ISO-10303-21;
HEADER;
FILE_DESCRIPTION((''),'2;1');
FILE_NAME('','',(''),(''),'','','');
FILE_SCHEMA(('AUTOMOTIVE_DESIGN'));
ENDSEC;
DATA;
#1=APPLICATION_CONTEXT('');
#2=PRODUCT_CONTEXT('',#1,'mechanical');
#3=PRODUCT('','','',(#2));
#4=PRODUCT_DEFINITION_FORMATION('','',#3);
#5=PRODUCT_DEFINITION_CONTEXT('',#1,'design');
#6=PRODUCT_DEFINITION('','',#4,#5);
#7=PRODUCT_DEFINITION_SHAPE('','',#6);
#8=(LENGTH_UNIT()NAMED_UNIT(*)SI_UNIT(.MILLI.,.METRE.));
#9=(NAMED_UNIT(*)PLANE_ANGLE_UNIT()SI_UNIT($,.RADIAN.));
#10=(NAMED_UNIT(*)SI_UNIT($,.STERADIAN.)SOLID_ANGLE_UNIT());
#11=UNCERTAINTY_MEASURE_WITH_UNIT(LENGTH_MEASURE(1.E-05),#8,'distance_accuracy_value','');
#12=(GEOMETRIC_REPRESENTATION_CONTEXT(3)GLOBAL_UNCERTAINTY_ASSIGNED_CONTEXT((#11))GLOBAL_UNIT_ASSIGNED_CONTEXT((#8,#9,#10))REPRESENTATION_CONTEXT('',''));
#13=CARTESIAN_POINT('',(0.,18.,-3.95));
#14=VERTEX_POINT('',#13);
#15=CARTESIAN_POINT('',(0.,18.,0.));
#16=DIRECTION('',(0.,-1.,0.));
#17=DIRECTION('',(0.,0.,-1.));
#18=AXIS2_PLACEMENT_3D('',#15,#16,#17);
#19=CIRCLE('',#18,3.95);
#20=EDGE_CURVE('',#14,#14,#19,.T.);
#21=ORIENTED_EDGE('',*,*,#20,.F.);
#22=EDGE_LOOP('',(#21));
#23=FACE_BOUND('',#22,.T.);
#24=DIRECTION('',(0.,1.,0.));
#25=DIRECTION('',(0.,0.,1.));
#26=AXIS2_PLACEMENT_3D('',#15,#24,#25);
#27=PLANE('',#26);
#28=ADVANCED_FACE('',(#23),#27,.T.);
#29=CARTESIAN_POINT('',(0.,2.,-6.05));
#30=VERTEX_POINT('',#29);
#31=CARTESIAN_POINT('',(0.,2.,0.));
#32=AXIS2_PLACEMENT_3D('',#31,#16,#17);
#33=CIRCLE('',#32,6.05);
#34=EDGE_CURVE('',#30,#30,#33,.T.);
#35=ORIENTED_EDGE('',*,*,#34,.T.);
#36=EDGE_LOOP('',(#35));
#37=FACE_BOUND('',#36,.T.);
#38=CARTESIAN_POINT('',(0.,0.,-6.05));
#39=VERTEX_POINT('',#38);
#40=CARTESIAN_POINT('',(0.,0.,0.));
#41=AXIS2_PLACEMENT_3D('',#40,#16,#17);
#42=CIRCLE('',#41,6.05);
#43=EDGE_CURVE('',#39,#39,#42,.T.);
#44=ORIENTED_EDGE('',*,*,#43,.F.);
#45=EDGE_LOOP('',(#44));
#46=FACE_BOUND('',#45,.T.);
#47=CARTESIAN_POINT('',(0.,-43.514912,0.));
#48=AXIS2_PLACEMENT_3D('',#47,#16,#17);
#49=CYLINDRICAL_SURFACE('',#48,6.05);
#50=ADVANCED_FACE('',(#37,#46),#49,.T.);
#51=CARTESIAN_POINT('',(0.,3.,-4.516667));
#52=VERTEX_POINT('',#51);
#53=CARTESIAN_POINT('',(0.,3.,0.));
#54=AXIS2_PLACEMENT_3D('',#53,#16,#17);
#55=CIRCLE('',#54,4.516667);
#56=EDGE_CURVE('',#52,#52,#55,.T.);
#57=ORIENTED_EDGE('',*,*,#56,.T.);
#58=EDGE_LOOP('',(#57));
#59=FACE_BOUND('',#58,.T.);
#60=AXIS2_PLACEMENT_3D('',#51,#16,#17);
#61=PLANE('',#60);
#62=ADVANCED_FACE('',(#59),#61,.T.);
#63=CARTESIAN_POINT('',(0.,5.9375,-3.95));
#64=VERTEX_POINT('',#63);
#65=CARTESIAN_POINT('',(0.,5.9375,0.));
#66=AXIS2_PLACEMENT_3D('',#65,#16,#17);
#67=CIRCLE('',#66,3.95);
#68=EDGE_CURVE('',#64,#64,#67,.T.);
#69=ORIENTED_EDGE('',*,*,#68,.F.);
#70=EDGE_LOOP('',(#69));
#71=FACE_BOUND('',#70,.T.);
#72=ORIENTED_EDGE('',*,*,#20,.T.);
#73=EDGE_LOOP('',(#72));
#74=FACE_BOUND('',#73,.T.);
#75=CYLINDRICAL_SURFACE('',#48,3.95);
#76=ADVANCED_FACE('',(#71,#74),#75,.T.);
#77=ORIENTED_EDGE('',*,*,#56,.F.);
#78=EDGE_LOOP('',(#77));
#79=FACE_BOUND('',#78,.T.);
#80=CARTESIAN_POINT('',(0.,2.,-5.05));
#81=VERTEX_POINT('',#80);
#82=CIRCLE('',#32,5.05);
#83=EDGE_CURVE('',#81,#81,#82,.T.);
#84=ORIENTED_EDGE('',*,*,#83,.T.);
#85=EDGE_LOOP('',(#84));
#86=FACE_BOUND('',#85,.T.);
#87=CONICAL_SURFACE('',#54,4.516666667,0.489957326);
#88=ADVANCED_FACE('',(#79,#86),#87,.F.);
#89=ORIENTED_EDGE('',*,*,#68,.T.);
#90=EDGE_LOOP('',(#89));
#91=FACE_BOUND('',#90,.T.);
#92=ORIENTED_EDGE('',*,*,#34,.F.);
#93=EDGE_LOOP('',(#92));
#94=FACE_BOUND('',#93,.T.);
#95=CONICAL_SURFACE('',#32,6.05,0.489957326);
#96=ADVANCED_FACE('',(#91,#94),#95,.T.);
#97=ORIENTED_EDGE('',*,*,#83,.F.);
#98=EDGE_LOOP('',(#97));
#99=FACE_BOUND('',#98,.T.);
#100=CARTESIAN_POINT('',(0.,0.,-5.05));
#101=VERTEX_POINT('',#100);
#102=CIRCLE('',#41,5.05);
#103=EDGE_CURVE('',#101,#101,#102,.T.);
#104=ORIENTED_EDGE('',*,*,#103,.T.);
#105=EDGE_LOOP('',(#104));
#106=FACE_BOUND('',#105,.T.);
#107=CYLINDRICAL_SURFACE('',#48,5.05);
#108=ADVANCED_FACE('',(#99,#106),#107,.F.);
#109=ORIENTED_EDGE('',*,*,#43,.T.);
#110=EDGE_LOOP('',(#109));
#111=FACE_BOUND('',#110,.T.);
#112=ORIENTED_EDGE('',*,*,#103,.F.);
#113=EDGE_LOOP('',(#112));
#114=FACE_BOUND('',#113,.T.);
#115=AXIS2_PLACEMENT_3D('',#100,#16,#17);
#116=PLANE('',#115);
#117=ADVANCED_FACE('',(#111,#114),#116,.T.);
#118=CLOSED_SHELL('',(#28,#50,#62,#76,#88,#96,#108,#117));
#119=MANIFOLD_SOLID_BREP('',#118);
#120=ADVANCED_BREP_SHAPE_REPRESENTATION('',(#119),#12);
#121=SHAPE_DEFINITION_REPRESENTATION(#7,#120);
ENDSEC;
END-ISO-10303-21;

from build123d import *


with BuildPart() as part:
    # Sketch3 → Revolve3 (revolve)
    with BuildSketch(Plane(origin=(0, 0, 0), x_dir=(0, 0, -1), z_dir=(1, 0, 0))):
        Polygon((5.05, 0), (5.05, 2), (4.516666667, 3), (0, 3), (0, 18), (3.95, 18), (3.95, 5.9375), (6.05, 2), (6.05, 0), align=None)
    revolve(axis=Axis((0, -43.514912226, 0), (0, 1, 0)))


solid = part.part
